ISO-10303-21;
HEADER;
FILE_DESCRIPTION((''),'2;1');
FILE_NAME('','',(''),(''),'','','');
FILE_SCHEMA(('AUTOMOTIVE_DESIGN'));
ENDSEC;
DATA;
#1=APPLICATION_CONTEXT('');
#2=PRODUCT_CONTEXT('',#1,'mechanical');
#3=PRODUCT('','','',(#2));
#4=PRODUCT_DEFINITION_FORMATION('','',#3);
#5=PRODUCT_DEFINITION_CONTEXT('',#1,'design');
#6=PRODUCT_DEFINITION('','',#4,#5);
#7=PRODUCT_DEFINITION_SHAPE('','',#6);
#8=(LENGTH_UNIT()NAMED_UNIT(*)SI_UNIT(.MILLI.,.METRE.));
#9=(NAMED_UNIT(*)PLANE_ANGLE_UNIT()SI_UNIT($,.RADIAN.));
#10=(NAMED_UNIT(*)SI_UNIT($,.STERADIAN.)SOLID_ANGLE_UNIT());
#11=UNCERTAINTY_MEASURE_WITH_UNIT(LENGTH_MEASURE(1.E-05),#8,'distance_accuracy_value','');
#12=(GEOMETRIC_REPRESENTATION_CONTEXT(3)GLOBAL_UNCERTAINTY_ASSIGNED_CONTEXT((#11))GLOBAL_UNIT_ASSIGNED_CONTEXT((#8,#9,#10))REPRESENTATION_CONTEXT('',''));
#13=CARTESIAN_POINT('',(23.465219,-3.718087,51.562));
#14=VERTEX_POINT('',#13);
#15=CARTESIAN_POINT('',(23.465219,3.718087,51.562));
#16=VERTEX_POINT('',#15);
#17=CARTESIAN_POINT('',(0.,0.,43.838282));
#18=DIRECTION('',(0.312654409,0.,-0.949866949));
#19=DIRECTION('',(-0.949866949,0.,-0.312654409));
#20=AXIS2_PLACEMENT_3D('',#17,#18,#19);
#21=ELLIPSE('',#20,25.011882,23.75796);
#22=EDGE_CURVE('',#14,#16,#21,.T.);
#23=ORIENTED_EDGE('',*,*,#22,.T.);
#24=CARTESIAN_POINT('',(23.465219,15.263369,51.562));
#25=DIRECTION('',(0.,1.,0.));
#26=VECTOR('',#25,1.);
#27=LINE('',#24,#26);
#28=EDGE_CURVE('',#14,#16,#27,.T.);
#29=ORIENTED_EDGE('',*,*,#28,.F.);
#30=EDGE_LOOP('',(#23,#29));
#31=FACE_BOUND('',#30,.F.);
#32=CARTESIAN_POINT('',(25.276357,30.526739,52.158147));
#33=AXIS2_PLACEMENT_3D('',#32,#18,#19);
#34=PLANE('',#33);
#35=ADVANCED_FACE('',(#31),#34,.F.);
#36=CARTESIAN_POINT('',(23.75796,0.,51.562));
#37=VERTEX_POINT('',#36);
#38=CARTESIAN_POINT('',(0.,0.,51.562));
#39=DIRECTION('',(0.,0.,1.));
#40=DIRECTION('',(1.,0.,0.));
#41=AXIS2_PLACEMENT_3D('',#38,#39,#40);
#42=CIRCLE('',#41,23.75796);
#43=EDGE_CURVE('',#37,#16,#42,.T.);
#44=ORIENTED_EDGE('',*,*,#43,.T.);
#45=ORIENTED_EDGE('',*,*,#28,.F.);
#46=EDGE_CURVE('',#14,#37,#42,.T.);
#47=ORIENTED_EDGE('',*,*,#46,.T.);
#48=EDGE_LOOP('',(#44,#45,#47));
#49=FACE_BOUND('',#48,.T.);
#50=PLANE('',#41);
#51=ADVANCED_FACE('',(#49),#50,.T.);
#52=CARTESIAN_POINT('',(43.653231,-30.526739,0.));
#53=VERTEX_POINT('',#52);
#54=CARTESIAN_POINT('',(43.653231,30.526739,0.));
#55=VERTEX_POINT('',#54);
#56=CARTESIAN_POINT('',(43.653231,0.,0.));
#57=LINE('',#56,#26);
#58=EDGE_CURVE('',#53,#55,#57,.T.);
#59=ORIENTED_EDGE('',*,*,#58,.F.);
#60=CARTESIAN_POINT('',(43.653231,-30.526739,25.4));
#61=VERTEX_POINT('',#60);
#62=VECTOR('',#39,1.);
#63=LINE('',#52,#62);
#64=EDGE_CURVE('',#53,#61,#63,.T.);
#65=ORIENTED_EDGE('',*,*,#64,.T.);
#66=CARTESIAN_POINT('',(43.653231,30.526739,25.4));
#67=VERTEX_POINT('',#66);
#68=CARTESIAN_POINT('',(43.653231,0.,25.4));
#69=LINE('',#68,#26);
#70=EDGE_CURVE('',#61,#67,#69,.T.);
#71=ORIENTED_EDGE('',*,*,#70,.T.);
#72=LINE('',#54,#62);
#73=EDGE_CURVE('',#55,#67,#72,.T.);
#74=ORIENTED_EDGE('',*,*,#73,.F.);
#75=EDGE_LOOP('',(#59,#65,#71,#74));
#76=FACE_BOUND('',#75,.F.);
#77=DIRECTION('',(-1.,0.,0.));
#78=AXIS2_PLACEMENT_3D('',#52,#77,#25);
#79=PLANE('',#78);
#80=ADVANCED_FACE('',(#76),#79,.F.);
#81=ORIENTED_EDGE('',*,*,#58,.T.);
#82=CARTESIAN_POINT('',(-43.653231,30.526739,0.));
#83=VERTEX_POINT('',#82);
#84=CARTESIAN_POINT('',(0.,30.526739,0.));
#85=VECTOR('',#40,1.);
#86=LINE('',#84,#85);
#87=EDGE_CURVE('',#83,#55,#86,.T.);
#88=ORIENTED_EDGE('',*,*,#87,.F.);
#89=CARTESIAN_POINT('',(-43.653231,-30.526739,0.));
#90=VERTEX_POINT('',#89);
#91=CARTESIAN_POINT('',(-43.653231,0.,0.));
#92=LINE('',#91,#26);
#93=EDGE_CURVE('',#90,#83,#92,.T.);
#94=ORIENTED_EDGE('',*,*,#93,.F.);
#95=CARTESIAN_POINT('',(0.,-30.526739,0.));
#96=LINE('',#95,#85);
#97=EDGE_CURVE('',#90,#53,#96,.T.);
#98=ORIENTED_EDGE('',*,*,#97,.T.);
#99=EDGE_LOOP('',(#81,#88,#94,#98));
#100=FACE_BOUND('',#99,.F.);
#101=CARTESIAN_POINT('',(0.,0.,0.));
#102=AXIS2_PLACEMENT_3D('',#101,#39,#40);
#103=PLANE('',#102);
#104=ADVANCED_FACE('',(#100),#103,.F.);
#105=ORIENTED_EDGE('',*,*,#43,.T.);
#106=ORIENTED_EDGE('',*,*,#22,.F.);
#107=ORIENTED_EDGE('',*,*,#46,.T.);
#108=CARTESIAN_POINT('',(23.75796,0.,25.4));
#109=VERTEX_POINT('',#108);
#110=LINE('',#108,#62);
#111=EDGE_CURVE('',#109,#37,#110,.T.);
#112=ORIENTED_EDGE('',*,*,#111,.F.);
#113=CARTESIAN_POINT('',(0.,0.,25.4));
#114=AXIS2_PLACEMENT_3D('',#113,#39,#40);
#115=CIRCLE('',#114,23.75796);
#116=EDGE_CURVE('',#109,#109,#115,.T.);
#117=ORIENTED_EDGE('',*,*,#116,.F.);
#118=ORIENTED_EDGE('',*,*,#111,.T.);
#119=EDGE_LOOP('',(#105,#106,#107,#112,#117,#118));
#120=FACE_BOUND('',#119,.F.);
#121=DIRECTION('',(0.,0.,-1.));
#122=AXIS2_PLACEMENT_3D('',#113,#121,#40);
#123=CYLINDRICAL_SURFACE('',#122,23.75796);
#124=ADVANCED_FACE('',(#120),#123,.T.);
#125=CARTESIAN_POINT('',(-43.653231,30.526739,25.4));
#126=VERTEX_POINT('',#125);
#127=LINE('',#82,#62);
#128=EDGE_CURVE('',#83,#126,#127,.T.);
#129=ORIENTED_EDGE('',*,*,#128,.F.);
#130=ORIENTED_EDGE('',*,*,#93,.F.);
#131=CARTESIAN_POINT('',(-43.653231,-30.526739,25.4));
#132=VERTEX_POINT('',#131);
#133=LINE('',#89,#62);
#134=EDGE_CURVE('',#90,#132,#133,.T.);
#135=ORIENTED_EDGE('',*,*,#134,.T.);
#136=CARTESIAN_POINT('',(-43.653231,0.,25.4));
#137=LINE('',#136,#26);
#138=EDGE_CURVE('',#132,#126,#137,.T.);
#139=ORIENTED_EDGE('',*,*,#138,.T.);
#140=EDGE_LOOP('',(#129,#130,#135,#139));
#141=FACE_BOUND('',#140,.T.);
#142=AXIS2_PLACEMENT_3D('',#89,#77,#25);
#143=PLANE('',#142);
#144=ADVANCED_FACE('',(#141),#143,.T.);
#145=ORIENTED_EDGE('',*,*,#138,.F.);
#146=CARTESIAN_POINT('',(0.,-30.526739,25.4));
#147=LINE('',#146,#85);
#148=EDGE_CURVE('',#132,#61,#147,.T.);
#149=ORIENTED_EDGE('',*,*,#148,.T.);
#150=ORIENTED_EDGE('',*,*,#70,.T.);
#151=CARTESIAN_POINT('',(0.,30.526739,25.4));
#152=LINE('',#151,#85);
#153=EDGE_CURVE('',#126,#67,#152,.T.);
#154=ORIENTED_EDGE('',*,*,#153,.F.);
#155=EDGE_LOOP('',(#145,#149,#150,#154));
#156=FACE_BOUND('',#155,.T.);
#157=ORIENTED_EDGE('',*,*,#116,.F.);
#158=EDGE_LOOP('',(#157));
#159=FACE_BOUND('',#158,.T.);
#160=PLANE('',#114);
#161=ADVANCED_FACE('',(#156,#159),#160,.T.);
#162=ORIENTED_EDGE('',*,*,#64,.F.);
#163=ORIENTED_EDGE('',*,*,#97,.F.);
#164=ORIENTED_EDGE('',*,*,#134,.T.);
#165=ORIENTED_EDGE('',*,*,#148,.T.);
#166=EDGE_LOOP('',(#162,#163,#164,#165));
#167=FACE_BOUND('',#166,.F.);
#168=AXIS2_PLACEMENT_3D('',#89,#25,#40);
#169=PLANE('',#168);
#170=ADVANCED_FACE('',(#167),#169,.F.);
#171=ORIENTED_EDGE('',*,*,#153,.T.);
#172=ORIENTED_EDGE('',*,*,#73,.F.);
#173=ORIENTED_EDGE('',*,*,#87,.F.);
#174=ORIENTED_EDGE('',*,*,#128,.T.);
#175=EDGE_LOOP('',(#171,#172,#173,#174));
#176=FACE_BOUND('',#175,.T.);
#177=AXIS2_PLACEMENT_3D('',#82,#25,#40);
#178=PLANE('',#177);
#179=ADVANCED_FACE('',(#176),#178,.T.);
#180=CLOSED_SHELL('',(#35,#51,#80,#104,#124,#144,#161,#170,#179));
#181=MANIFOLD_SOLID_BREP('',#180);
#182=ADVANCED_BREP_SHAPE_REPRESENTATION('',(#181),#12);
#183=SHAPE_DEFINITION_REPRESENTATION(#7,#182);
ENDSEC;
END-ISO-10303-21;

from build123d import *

# Parameters (mm, degrees)
F0_W     = 87.306462
F0_H     = 61.053478
F0_R     = 23.75796
F1_DEPTH = 25.4
F2_R     = 23.75796
F3_DEPTH = 26.162
F5_DEPTH = 61.053477


with BuildPart() as f1:
    # F0 (on Top) → F1 (new body)
    with BuildSketch(Plane.XY):
        Rectangle(F0_W, F0_H)
        Circle(F0_R, mode=Mode.SUBTRACT)
        Circle(F0_R)
    extrude(amount=F1_DEPTH)

    # F2 (on face) → F3 (join)
    with BuildSketch(Plane.XY.offset(25.4)):
        Circle(F2_R)
    extrude(amount=F3_DEPTH)

    # F4 (on face) → F5 (cut, through all)
    with BuildSketch(Plane(origin=(0, 30.526739, 0), x_dir=(-1, 0, 0), z_dir=(0, 1, 0))):
        Polygon((24.116119, 52.158147), (-25.276357, 52.158147), (24.116119, 35.900317), align=None)
    extrude(amount=-F5_DEPTH, mode=Mode.SUBTRACT)


solid = f1.part
